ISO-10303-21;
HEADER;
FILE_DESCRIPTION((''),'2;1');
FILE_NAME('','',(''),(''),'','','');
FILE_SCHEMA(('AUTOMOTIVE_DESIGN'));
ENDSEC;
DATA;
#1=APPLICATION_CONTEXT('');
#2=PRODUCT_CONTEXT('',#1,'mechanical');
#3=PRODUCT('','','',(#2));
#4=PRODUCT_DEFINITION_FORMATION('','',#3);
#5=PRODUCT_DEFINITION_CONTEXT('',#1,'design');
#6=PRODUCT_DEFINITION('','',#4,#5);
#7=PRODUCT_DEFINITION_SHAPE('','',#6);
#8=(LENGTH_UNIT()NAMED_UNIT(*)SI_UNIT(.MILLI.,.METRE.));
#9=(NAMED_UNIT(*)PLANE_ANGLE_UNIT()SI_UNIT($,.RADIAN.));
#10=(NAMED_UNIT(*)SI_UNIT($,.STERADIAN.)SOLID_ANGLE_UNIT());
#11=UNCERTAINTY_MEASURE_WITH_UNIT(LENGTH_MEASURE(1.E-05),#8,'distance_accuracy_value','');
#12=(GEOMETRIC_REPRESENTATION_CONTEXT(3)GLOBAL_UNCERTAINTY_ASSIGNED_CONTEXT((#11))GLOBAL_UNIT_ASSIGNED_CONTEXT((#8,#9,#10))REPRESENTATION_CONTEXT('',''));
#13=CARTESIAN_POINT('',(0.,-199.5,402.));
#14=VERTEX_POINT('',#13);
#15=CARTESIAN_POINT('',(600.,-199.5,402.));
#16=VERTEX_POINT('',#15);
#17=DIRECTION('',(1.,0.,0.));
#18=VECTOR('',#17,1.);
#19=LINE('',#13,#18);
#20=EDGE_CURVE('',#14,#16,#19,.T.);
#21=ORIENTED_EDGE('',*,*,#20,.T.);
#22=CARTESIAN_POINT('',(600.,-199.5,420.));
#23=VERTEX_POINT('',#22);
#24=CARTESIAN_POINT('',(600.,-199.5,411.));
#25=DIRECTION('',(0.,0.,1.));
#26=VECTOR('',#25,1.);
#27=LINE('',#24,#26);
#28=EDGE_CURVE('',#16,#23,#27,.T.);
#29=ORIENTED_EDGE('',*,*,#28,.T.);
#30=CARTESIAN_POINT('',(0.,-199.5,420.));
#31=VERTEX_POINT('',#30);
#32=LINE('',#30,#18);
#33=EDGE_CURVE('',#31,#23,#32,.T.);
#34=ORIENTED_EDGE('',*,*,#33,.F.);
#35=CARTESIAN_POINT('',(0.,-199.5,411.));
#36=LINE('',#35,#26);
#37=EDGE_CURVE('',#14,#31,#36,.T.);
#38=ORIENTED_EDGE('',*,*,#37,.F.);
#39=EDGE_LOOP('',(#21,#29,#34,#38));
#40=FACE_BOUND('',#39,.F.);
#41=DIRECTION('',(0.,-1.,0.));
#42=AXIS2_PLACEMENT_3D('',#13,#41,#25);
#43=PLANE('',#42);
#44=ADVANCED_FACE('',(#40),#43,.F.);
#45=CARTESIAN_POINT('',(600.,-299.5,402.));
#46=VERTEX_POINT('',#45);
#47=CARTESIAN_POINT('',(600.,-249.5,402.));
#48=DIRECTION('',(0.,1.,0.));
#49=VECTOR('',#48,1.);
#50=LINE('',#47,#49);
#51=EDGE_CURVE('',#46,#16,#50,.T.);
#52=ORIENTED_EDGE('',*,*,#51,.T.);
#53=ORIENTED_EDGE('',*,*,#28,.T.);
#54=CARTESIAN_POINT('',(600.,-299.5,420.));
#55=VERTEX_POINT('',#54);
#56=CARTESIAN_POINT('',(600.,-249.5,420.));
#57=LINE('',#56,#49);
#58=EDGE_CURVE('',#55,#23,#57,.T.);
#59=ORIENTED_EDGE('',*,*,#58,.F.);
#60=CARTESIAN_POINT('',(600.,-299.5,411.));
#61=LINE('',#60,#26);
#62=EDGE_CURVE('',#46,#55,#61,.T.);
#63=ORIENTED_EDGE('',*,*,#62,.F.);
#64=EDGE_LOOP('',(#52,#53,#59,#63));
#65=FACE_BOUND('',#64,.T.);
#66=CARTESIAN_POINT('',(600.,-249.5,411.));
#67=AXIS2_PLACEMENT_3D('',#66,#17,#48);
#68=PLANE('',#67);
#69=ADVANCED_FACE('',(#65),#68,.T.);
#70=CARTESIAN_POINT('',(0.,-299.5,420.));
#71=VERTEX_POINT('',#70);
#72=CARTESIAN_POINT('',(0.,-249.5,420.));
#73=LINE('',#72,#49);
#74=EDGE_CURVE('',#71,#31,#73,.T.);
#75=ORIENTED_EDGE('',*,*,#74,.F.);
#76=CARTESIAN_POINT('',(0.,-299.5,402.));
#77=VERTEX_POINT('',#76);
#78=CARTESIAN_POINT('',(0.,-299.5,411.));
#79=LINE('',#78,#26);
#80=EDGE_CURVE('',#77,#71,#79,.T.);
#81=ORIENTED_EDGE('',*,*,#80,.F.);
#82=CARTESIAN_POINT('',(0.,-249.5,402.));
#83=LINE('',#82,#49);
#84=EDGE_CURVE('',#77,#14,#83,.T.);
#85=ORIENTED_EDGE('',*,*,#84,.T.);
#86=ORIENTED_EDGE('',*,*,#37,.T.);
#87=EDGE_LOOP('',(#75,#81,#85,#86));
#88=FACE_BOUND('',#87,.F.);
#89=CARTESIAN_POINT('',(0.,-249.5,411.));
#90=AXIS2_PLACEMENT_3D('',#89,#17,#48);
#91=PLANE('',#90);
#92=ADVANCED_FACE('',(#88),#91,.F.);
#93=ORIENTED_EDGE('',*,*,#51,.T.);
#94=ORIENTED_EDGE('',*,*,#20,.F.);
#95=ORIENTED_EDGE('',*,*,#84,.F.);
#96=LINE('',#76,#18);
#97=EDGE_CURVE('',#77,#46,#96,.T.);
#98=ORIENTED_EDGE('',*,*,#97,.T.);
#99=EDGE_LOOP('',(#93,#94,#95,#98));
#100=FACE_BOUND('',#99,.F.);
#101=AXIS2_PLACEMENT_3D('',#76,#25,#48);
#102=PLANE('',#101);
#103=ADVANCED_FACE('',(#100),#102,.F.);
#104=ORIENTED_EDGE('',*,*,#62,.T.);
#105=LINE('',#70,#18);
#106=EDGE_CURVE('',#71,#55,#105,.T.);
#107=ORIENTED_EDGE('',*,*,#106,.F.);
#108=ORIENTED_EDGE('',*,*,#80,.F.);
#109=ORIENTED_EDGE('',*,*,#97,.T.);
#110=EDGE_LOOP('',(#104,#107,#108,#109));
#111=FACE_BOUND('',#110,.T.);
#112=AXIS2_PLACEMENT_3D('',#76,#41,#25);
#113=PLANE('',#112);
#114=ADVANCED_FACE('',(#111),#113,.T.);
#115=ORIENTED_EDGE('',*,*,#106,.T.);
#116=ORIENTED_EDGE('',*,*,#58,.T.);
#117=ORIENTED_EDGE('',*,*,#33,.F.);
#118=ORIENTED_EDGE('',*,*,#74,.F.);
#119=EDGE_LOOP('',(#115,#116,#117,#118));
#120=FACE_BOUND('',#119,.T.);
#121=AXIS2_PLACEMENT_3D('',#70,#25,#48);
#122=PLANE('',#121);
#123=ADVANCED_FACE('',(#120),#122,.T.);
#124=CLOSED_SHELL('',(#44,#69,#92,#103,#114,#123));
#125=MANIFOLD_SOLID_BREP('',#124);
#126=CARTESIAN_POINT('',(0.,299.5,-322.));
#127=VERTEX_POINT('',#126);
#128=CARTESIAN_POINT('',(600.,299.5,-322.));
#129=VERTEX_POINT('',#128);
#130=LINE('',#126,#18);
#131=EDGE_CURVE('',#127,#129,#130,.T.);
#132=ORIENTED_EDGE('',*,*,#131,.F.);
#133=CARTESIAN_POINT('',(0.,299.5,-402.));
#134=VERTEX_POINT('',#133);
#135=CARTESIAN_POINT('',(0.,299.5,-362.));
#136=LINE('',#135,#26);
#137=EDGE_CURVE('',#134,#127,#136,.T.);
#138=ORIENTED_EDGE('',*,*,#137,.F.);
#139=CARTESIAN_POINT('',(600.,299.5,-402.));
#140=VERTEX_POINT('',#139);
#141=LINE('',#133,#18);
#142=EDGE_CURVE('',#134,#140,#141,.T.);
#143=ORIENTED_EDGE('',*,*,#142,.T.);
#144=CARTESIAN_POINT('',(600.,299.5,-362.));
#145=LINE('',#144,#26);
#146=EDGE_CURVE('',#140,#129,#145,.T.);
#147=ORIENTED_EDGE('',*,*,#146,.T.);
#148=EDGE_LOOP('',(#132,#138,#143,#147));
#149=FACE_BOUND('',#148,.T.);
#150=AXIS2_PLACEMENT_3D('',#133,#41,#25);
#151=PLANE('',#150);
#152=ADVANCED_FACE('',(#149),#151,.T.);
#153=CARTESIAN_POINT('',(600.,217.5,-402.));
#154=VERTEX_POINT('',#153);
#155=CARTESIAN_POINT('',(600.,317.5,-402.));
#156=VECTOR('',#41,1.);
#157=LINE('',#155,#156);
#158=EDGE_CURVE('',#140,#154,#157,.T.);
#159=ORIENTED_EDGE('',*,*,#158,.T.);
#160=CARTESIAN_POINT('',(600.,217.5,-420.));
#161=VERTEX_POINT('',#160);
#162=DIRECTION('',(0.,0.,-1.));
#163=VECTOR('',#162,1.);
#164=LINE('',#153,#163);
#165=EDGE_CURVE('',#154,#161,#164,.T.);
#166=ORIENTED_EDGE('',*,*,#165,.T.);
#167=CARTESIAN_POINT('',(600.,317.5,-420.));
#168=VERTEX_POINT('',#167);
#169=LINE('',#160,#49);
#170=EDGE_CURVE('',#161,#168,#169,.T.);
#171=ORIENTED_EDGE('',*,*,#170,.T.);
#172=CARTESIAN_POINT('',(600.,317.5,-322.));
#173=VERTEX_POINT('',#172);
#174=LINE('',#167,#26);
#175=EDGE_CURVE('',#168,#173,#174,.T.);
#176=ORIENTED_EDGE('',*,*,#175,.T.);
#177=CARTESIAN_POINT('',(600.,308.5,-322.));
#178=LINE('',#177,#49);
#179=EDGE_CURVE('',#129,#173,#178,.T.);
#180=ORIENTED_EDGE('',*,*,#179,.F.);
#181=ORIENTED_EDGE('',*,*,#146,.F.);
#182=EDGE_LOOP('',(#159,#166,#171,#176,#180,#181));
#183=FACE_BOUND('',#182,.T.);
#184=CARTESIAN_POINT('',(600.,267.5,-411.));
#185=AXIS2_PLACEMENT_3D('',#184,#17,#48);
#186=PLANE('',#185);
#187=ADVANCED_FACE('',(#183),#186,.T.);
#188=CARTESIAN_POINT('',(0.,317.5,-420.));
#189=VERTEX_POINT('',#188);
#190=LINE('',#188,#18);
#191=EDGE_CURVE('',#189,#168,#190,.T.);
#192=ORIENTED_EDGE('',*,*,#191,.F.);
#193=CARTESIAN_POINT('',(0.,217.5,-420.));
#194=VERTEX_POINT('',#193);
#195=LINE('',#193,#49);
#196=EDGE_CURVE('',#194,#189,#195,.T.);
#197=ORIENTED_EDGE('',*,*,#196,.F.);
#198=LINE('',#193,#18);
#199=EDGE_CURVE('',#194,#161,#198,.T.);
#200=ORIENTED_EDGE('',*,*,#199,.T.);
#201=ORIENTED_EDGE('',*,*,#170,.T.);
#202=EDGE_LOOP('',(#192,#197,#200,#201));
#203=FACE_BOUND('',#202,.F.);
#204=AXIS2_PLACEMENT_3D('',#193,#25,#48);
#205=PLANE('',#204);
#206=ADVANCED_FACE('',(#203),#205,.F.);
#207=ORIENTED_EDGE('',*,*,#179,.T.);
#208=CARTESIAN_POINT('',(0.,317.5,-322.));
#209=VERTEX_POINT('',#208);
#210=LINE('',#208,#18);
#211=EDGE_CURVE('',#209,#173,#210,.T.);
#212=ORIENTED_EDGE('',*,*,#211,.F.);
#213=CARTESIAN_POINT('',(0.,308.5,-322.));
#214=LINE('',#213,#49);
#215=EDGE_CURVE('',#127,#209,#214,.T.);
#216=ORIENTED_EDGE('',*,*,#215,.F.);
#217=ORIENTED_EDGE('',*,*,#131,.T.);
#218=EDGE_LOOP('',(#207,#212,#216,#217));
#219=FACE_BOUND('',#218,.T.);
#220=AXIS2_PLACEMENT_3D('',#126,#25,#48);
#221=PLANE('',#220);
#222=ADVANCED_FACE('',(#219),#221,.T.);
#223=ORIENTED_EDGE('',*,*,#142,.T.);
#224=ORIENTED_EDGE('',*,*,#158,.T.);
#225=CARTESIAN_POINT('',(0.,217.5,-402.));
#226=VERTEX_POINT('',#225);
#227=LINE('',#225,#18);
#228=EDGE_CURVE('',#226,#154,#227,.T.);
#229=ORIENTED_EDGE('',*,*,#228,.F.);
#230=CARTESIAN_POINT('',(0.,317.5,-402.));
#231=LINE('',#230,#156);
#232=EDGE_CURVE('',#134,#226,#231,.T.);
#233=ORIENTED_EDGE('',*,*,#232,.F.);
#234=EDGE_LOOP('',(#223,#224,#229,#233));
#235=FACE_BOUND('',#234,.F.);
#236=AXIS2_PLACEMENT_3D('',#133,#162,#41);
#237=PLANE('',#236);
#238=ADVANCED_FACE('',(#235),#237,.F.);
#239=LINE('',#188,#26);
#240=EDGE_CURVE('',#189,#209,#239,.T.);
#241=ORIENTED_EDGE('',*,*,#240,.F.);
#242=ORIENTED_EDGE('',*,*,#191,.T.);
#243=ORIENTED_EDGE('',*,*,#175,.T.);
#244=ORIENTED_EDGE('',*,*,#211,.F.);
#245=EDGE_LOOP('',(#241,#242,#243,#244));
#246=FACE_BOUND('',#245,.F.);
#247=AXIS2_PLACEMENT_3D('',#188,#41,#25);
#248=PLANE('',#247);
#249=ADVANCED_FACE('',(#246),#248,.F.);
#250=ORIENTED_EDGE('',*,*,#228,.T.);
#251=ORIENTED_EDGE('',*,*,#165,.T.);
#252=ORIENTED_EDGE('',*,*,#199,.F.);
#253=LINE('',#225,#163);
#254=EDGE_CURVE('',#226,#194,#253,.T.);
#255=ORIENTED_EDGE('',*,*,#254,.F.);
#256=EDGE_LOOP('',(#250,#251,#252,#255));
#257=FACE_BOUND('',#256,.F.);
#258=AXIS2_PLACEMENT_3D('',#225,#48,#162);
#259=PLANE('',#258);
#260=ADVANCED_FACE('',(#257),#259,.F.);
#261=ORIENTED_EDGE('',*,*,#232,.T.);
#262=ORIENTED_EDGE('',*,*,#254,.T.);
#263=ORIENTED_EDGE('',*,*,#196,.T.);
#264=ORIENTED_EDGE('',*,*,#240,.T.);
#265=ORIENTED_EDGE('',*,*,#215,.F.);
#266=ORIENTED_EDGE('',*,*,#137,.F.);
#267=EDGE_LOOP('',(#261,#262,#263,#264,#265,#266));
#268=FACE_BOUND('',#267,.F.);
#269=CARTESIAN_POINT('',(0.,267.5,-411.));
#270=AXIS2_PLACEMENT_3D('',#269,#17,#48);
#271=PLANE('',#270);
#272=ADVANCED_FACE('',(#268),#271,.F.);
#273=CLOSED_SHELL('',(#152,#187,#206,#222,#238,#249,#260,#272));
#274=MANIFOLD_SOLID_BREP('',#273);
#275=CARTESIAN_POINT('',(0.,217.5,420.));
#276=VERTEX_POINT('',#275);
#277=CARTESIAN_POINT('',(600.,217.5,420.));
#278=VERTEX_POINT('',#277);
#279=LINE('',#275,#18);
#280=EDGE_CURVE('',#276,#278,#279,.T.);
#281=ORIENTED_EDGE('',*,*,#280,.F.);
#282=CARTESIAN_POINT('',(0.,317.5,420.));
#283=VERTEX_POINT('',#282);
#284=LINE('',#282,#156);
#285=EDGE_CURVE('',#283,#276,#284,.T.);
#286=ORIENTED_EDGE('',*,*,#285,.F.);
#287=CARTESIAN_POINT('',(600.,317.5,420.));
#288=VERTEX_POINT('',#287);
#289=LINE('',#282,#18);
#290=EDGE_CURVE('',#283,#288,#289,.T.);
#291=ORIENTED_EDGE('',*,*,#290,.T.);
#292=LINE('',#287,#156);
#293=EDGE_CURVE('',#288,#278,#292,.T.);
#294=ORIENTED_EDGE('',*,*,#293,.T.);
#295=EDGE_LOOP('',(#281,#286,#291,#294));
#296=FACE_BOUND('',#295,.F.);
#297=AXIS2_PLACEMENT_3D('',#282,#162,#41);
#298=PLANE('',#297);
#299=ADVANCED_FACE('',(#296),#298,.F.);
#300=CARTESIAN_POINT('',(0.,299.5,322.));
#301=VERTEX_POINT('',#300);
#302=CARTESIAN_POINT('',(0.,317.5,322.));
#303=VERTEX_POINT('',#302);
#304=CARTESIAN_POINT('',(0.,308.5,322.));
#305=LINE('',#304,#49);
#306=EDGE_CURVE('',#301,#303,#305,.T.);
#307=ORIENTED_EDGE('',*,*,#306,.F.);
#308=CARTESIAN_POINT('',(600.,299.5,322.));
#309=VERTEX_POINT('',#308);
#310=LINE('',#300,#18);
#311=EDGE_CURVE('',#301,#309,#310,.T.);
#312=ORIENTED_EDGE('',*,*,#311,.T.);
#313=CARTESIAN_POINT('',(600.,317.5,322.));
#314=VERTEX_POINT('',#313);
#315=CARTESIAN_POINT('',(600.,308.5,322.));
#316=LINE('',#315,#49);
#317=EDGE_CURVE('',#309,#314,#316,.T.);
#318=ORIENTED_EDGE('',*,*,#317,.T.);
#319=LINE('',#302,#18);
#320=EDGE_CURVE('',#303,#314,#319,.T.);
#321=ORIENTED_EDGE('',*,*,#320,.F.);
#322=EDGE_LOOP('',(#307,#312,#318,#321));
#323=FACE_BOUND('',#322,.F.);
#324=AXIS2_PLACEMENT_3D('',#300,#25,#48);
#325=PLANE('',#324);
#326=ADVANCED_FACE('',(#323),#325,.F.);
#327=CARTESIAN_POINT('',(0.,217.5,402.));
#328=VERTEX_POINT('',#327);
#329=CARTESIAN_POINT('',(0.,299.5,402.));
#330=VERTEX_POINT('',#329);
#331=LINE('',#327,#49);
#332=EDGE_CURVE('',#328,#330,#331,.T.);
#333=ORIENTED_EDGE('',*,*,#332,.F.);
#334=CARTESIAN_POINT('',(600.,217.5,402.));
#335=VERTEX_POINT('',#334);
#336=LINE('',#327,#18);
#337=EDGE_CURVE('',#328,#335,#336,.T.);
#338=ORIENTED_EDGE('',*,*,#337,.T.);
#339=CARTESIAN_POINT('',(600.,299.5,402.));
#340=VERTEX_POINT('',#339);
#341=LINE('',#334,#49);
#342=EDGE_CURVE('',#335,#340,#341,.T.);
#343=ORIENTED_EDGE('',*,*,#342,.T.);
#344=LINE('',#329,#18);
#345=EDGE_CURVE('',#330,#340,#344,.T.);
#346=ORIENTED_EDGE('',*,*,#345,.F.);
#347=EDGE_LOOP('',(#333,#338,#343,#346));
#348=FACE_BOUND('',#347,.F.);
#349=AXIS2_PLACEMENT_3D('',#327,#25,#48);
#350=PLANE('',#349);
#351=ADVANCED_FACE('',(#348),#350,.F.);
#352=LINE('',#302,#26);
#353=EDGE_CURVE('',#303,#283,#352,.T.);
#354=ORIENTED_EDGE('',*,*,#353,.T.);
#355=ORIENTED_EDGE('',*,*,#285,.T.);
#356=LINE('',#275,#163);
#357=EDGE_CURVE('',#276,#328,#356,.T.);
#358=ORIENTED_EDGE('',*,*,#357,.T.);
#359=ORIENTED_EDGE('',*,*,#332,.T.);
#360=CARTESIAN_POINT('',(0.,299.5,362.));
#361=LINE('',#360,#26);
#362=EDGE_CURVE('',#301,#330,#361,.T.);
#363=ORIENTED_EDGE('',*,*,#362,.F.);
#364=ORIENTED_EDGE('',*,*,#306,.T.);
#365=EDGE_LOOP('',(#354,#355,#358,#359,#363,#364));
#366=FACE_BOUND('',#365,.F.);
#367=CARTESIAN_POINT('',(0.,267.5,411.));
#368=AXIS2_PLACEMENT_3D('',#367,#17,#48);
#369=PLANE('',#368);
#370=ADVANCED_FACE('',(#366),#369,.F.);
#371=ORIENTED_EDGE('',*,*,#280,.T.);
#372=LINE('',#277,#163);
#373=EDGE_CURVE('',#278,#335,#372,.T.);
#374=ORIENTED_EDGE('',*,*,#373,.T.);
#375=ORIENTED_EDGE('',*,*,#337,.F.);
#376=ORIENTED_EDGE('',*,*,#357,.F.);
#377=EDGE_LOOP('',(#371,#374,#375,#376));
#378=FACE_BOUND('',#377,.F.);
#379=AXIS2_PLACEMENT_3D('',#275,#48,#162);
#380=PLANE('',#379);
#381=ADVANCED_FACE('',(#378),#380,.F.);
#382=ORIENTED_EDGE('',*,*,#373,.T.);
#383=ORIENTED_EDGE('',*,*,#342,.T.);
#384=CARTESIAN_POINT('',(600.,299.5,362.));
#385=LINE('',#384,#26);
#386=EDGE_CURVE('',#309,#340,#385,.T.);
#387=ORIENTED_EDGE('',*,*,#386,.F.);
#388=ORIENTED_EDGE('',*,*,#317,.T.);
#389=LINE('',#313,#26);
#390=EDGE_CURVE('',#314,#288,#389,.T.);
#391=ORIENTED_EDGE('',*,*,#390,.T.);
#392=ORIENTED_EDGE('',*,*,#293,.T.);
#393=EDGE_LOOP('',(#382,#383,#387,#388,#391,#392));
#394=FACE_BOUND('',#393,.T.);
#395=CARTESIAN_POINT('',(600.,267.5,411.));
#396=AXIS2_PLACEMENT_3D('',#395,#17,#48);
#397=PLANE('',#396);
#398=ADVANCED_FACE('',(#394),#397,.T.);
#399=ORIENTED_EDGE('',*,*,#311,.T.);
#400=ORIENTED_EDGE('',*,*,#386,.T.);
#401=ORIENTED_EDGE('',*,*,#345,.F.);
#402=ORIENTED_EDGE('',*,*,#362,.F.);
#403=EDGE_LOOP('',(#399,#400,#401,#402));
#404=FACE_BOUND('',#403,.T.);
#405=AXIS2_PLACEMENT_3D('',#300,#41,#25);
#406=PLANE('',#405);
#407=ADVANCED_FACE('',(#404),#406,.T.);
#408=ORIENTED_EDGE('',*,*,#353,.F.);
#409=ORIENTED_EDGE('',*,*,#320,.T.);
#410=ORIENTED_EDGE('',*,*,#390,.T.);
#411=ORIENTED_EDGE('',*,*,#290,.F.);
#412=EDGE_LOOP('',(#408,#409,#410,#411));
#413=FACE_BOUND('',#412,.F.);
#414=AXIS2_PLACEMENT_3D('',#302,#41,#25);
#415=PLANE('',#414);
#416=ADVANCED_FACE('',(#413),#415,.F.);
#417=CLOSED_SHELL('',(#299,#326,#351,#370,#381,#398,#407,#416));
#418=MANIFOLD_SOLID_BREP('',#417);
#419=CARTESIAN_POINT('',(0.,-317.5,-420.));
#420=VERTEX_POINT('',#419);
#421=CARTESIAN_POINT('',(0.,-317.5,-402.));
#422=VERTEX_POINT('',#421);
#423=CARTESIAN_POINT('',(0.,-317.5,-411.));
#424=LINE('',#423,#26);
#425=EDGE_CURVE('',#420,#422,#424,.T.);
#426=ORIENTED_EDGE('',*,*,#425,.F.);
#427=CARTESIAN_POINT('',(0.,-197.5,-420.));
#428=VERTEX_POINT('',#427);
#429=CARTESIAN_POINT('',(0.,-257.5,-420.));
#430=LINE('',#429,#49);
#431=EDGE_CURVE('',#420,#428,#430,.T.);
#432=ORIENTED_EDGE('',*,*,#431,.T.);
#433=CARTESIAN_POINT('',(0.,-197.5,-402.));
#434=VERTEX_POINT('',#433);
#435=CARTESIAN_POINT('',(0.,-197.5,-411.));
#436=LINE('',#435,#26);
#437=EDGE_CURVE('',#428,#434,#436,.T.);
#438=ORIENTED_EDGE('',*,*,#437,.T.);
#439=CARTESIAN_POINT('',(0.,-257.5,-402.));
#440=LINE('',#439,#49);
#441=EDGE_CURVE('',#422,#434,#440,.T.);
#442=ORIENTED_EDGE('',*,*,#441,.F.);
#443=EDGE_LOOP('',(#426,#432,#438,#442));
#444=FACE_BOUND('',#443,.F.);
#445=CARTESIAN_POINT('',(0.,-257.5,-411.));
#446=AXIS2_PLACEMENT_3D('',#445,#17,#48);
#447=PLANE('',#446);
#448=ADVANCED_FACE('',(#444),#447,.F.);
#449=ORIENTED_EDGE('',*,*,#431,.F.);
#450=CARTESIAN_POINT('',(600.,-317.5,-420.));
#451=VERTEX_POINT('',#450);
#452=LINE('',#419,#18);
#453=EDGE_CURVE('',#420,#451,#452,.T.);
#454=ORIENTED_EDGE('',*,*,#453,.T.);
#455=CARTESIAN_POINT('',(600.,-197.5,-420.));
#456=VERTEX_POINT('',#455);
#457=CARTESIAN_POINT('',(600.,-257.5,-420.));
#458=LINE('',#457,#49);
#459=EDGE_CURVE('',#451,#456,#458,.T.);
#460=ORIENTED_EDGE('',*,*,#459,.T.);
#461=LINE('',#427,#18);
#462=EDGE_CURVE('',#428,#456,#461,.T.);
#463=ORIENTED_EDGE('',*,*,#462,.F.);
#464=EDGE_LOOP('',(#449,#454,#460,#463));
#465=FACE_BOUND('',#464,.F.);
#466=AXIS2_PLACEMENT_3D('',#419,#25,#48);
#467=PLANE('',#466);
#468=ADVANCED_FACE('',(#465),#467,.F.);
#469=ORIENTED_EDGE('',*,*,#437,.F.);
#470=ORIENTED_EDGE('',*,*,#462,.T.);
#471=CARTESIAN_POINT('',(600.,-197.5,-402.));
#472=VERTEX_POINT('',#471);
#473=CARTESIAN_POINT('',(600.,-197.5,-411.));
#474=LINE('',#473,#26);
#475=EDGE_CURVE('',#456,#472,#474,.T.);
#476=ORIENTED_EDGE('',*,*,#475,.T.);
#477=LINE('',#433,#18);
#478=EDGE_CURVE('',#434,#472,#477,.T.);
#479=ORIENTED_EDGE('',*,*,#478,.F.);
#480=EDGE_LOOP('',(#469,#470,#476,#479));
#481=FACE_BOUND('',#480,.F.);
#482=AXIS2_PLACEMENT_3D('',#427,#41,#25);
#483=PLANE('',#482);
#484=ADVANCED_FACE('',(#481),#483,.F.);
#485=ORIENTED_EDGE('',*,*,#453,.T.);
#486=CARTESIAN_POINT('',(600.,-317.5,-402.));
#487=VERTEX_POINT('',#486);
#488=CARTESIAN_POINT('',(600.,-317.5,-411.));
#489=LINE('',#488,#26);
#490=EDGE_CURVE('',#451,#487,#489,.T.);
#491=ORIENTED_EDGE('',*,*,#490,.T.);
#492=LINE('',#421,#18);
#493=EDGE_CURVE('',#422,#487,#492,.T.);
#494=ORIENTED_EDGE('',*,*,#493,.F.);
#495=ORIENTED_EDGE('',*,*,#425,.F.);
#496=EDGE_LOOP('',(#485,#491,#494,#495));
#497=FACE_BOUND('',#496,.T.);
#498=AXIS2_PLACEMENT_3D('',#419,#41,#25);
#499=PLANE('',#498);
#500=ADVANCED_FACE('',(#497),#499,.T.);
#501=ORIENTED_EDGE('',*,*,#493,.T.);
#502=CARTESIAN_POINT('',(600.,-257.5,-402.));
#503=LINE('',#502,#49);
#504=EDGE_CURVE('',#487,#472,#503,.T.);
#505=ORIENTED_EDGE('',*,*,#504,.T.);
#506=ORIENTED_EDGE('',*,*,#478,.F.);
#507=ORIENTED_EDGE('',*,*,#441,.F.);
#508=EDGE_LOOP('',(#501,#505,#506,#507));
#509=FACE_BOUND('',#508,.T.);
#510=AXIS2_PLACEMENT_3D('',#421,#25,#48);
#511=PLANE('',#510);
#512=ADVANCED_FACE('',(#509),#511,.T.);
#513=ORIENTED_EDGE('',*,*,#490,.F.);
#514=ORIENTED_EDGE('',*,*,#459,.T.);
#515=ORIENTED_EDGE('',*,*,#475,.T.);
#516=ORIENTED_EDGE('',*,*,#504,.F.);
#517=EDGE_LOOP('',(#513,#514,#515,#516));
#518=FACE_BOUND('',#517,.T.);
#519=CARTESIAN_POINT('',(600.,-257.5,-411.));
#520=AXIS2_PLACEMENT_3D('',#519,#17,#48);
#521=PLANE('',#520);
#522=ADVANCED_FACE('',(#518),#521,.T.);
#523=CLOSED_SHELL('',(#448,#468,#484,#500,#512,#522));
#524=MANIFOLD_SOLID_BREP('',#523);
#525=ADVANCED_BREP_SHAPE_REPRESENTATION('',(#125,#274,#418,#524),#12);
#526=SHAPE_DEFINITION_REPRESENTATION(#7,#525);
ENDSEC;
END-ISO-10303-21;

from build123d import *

# Parameters (mm, degrees)
F0_W     = 18
F0_H     = 80
F0_W_2   = 100
F0_H_2   = 18
F0_W_3   = 120
F1_DEPTH = 600


with BuildPart() as f1:
    # F0 (on Right) → F1 (new body)
    with BuildSketch(Plane.YZ):
        Polygon((317.5, 402), (317.5, 420), (217.5, 420), (217.5, 402), (299.5, 402), align=None)
        with Locations((308.5, 362)):
            Rectangle(F0_W, F0_H)
        with Locations((-249.5, 411)):
            Rectangle(F0_W_2, F0_H_2)
        with Locations((-257.5, -411)):
            Rectangle(F0_W_3, F0_H_2)
        Polygon((217.5, -420), (317.5, -420), (317.5, -402), (299.5, -402), (217.5, -402), align=None)
        with Locations((308.5, -362)):
            Rectangle(F0_W, F0_H)
    extrude(amount=F1_DEPTH)


solid = f1.part
